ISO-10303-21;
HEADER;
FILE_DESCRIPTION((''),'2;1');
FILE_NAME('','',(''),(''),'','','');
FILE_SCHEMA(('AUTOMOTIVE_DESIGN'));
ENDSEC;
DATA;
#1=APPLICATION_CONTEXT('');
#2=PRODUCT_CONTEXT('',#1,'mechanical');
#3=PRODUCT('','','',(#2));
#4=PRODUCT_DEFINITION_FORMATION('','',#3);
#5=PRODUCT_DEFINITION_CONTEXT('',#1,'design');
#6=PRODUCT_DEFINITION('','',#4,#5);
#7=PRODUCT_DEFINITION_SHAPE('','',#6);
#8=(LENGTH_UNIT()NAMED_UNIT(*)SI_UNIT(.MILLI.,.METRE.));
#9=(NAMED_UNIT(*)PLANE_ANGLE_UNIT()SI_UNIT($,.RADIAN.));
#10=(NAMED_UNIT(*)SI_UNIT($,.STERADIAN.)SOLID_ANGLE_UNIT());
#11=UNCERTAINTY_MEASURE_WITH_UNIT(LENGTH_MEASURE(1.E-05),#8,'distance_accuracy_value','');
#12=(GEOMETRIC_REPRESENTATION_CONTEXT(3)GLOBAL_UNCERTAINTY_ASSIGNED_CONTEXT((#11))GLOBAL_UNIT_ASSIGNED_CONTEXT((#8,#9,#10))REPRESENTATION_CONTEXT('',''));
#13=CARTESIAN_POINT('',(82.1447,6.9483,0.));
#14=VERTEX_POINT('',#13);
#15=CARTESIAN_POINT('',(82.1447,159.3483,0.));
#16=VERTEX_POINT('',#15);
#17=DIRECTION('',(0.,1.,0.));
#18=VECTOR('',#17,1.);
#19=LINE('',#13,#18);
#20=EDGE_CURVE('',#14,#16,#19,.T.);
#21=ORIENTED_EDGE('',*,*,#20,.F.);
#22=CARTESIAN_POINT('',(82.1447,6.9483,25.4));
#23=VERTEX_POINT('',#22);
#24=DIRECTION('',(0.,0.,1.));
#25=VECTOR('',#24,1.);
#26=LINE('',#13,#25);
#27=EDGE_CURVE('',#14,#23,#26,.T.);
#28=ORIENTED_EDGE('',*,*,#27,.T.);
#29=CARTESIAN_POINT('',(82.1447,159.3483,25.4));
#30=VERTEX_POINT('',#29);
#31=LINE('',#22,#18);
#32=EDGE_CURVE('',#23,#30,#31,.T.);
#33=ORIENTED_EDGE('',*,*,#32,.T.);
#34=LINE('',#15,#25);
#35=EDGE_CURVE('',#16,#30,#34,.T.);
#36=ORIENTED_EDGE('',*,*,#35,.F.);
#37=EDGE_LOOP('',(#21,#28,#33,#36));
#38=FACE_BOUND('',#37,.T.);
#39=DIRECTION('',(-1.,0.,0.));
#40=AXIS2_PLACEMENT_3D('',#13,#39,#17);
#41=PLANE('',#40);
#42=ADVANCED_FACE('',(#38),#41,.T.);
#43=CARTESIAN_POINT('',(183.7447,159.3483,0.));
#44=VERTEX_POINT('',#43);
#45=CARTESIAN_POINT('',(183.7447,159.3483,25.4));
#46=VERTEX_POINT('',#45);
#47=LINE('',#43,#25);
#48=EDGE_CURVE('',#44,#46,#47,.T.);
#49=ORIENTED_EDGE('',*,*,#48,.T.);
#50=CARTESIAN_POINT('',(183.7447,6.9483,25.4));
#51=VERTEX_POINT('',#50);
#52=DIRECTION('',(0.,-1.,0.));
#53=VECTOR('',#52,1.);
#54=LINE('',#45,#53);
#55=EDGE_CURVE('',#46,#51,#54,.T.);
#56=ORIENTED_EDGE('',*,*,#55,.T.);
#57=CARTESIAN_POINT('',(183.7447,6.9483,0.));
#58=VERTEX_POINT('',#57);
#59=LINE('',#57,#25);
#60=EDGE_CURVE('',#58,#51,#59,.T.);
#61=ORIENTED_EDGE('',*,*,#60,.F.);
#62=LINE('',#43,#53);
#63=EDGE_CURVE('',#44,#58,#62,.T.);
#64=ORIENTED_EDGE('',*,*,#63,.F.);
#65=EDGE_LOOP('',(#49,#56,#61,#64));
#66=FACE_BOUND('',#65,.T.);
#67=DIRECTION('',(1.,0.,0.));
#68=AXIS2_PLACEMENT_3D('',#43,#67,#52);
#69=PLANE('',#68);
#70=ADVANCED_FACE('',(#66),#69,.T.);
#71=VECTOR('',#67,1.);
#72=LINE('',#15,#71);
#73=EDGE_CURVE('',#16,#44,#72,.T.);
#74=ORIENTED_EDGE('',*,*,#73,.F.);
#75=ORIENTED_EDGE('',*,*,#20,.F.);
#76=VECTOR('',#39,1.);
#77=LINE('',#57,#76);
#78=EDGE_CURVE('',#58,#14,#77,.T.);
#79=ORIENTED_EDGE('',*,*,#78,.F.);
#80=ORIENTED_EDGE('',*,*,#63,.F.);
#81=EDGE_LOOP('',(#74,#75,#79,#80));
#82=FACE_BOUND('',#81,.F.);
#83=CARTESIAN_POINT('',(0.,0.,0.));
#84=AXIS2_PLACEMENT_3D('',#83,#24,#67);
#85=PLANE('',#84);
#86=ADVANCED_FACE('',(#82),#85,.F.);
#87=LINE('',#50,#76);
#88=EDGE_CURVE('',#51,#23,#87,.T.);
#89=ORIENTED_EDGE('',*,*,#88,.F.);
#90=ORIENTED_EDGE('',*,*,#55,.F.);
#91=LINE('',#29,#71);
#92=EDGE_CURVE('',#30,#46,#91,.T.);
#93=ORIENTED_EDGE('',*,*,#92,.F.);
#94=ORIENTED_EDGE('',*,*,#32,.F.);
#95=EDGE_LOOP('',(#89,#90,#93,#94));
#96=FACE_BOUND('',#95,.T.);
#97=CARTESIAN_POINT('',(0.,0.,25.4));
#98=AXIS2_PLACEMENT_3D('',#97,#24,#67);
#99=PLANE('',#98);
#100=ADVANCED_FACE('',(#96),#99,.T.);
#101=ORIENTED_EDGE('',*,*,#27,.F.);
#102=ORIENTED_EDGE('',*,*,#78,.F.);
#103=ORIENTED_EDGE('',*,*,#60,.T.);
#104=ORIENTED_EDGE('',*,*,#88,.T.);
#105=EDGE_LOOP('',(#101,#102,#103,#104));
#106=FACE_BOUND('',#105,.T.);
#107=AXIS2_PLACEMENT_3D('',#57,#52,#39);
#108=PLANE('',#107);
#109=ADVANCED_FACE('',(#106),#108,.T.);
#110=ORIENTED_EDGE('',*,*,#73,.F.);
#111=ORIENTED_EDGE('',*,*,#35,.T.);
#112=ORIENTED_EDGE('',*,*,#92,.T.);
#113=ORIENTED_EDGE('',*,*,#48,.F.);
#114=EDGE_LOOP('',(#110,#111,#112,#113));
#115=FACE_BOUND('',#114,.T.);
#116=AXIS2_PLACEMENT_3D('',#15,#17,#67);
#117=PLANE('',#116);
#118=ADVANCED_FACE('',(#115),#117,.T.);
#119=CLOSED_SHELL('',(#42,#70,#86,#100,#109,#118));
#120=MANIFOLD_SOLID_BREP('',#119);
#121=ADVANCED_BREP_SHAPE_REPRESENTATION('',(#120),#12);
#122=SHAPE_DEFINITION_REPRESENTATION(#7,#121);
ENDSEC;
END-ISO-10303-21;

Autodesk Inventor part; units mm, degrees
ref_plane "YZ Plane" through (0, 0, 0) normal (1, 0, 0) x (0, 1, 0)
ref_plane "XZ Plane" through (0, 0, 0) normal (0, 1, 0) x (-1, 0, 0)
ref_plane "XY Plane" through (0, 0, 0) normal (0, 0, 1) x (1, 0, 0)
sketch "Sketch1" plane through (0, 0, 0) normal (0, 0, 1) x (1, 0, 0)
  line L0 (82.1447, 159.3483) -> (183.7447, 159.3483)
  line L1 (183.7447, 159.3483) -> (183.7447, 6.9483)
  line L2 (183.7447, 6.9483) -> (82.1447, 6.9483)
  line L3 (82.1447, 6.9483) -> (82.1447, 159.3483)
  point P0 (0, 0)
  dimension "d0" = 101.6
  dimension "d1" = 152.4
extrude "Extrusion1" add sketch "Sketch1" along normal blind 25.4
properties part number "peg toy (stand)" material "Wood (Oak)"
